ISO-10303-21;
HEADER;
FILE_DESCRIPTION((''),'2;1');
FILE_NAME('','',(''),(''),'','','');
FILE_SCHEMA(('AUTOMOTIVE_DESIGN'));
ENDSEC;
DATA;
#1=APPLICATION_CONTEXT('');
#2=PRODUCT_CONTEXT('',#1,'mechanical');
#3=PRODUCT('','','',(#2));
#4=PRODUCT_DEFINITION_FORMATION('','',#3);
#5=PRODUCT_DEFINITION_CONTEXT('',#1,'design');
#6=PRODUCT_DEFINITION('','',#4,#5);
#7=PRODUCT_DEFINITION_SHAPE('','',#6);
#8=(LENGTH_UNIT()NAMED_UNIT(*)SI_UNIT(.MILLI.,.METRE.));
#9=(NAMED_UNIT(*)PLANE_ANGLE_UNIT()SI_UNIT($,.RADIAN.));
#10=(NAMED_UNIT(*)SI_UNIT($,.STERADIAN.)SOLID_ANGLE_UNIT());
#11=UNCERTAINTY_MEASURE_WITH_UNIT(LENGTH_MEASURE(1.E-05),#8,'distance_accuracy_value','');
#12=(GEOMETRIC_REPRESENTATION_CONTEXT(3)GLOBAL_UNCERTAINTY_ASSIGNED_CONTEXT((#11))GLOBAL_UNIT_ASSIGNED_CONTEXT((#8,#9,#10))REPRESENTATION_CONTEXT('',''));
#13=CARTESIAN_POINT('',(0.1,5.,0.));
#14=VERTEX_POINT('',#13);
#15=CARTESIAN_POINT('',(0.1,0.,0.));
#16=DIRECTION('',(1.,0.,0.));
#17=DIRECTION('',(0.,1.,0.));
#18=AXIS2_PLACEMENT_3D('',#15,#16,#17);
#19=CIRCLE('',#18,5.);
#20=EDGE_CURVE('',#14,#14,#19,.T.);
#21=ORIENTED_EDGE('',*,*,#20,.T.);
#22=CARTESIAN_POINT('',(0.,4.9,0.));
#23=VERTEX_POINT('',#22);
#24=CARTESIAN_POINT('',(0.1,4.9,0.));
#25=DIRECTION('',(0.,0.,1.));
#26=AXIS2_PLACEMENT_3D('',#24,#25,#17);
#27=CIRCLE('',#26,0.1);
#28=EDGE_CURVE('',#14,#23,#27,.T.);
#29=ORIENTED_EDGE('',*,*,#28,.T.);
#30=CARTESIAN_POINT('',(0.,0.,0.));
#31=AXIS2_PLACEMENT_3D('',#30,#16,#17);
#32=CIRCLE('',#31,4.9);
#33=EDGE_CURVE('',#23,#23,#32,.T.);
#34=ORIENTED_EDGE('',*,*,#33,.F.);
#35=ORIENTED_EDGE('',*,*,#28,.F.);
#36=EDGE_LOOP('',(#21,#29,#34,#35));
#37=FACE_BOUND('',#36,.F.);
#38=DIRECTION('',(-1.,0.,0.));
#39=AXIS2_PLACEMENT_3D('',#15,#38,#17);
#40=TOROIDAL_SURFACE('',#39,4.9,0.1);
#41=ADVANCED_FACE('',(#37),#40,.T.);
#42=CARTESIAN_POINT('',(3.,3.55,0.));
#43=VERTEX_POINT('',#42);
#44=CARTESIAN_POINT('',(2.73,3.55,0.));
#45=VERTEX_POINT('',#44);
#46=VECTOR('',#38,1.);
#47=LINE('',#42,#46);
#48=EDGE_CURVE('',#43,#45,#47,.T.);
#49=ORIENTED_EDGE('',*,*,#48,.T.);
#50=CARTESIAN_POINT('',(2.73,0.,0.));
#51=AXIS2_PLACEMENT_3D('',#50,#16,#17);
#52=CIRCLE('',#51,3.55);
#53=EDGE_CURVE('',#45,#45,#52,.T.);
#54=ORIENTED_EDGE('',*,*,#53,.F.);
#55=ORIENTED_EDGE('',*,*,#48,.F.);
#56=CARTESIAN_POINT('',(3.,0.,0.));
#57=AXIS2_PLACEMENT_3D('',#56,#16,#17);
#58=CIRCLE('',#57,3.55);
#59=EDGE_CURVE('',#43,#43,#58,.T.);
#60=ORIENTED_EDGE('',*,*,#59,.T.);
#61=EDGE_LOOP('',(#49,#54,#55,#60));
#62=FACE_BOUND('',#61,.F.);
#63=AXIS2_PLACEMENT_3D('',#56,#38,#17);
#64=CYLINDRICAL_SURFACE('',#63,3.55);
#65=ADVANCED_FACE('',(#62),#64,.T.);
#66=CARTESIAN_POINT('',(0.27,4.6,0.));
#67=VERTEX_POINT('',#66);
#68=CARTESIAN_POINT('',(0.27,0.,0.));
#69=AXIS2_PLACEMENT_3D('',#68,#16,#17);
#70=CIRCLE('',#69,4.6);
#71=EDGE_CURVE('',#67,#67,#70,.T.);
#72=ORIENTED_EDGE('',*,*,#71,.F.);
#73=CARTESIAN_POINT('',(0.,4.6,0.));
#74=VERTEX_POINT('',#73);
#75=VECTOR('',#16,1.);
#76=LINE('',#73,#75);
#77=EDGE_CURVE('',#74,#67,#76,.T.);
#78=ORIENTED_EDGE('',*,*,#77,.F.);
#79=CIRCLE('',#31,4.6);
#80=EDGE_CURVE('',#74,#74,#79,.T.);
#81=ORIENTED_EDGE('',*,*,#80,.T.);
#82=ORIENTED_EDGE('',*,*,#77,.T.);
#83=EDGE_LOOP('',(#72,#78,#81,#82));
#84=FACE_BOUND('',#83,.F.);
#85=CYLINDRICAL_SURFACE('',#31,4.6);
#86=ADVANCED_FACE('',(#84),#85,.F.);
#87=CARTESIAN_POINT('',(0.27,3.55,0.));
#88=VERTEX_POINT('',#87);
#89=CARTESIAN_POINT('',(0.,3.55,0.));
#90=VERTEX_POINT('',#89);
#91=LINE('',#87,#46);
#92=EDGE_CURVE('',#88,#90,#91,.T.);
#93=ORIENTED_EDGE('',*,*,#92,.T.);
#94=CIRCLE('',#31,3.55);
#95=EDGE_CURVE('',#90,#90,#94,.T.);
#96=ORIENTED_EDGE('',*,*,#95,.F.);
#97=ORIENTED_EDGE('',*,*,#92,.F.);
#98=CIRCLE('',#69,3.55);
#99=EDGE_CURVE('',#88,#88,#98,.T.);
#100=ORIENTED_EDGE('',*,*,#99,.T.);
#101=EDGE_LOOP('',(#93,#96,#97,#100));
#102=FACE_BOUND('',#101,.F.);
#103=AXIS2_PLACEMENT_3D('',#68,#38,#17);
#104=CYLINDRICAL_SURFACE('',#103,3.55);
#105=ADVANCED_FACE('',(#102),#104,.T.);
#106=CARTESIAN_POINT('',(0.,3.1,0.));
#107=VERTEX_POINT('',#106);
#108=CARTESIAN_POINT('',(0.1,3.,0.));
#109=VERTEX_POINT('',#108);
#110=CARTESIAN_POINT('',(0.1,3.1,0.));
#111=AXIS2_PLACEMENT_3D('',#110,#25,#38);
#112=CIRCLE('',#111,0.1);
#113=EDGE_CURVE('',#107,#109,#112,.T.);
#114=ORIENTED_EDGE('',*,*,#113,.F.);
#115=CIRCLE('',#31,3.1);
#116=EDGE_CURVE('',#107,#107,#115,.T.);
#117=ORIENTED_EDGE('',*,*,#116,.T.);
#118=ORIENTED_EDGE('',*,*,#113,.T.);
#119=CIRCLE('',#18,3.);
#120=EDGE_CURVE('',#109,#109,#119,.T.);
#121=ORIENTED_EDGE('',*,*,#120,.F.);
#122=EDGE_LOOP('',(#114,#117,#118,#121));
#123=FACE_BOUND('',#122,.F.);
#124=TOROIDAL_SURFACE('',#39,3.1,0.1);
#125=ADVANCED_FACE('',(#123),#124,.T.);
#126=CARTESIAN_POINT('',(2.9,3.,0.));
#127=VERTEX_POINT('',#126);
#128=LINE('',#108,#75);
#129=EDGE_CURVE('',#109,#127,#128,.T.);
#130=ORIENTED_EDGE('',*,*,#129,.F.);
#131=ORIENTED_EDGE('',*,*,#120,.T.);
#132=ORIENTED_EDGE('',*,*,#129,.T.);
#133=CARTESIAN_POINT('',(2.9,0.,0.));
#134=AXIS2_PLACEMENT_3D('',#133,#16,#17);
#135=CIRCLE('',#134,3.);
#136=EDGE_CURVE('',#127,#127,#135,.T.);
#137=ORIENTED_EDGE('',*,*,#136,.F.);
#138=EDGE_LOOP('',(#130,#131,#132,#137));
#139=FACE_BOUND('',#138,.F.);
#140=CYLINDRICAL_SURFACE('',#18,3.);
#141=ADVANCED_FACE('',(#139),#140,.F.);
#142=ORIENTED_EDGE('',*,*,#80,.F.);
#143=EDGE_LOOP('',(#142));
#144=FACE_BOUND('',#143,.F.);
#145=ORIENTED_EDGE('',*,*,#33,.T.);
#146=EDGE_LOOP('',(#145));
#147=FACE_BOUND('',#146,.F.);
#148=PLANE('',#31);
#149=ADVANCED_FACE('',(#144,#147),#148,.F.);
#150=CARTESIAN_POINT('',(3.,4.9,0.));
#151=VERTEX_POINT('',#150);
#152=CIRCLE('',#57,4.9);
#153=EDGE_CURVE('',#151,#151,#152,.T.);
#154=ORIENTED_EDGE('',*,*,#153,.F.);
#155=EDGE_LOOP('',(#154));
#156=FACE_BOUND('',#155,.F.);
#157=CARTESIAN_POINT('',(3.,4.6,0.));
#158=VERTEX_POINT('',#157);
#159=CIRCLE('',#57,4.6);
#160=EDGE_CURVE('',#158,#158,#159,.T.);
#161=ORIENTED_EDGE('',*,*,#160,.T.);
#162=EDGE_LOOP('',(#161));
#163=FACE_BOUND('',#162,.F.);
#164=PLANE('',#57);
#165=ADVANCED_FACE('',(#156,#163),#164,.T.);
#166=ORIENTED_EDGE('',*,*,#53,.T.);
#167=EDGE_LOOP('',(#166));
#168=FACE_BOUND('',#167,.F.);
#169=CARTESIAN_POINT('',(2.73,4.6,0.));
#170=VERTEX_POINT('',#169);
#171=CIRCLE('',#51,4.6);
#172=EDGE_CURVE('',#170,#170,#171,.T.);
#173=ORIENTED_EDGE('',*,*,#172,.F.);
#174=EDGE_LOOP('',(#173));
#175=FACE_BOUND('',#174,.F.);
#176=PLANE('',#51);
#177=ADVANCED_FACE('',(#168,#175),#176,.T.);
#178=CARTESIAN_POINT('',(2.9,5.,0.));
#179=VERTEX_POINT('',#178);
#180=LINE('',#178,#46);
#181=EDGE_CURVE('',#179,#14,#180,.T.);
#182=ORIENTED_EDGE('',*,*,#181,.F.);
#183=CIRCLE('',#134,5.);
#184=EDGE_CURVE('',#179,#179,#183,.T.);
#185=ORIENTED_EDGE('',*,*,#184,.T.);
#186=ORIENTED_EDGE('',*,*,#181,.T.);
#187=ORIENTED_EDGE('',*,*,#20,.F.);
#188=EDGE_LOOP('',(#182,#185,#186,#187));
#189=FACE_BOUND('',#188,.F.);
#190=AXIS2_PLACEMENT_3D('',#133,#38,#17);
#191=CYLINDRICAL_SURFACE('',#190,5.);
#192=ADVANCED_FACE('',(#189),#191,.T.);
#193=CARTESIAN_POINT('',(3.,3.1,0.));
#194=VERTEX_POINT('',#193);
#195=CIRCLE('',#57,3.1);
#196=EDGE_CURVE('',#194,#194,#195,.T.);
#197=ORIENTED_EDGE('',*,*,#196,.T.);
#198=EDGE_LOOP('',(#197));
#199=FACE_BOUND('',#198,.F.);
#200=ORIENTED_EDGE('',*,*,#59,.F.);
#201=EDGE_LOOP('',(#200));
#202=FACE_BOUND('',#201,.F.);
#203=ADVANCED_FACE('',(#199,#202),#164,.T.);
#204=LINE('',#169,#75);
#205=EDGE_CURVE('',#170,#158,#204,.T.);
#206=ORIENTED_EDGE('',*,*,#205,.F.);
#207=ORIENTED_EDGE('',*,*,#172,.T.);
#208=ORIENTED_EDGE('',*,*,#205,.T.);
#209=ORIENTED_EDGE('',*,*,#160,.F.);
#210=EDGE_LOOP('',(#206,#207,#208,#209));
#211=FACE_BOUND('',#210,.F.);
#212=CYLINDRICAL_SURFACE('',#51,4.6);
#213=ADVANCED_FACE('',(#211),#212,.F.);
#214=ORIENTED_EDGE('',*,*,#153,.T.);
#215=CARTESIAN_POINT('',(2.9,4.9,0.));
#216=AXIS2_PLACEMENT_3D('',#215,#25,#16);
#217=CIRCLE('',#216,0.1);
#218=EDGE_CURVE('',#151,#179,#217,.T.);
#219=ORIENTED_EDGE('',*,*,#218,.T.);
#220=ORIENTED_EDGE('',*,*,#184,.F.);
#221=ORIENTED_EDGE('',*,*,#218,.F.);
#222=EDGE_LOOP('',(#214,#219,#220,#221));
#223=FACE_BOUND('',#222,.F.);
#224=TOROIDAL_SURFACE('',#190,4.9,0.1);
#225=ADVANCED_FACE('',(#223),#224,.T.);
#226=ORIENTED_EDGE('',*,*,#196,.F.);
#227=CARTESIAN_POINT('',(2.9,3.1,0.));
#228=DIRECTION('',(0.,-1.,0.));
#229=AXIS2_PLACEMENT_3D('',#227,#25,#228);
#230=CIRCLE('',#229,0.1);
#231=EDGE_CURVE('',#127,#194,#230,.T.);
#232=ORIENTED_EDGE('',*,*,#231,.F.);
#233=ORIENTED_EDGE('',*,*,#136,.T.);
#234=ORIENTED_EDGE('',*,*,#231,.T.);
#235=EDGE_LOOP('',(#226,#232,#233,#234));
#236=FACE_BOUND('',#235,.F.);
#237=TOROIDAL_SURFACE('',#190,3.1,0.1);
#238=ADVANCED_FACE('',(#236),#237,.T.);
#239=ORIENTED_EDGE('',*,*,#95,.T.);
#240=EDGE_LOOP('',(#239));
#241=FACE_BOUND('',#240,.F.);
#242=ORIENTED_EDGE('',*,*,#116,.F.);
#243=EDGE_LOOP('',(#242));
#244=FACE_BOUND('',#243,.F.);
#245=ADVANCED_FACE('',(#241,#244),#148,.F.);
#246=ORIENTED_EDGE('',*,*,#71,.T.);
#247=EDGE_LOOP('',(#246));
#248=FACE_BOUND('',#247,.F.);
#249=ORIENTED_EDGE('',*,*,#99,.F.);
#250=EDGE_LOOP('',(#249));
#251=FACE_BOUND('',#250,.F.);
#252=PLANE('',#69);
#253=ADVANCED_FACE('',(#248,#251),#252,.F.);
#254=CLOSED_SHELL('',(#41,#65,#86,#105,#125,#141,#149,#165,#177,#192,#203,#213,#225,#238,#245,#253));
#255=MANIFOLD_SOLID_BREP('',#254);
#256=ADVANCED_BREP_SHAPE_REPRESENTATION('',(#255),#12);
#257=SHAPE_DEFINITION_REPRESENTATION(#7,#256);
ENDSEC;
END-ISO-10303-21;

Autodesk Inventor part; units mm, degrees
sketch "Sketch_1" plane through (0, 0, 0) normal (0, 0, 1) x (1, 0, 0)
  line L0 (2.9, 0) -> (0.1, 0)
  arc A0 (0, 3.1) -> (0.1, 3) centre (0.1, 3.1) ccw
  line L1 (0.1, 3) -> (2.9, 3)
  arc A1 (2.9, 3) -> (3, 3.1) centre (2.9, 3.1) ccw
  line L2 (3, 3.1) -> (3, 3.55)
  line L3 (3, 3.55) -> (2.73, 3.55)
  line L4 (2.73, 3.55) -> (2.73, 4.6)
  line L5 (2.73, 4.6) -> (3, 4.6)
  line L6 (3, 4.6) -> (3, 4.9)
  arc A2 (3, 4.9) -> (2.9, 5) centre (2.9, 4.9) ccw
  line L7 (2.9, 5) -> (0.1, 5)
  arc A3 (0.1, 5) -> (0, 4.9) centre (0.1, 4.9) ccw
  line L8 (0, 4.9) -> (0, 4.6)
  line L9 (0, 4.6) -> (0.27, 4.6)
  line L10 (0.27, 4.6) -> (0.27, 3.55)
  line L11 (0.27, 3.55) -> (0, 3.55)
  line L12 (0, 3.55) -> (0, 3.1)
revolve "Revolution1" add sketch "Sketch_1" angle 360 about axis through (2.9, 0, 0) along (1, 0, 0)
ref_plane "to_housing_XY" through (0, 0, 0) normal (1, 0, 0) x (0, 0, -1)
ref_plane "to_housing_YZ" through (0, 0, 0) normal (0, 0, -1) x (0, 1, 0)
ref_plane "to_housing_ZX" through (0, 0, 0) normal (0, 1, 0) x (1, 0, 0)
ref_plane "to_housing_center_XY" through (1.5, 0, 0) normal (1, 0, 0) x (0, 0, -1)
ref_plane "to_housing_center_YZ" through (1.5, 0, 0) normal (0, 0, -1) x (0, 1, 0)
ref_plane "to_housing_center_ZX" through (1.5, 0, 0) normal (0, 1, 0) x (1, 0, 0)
properties part number "C-SE676ZZ"
